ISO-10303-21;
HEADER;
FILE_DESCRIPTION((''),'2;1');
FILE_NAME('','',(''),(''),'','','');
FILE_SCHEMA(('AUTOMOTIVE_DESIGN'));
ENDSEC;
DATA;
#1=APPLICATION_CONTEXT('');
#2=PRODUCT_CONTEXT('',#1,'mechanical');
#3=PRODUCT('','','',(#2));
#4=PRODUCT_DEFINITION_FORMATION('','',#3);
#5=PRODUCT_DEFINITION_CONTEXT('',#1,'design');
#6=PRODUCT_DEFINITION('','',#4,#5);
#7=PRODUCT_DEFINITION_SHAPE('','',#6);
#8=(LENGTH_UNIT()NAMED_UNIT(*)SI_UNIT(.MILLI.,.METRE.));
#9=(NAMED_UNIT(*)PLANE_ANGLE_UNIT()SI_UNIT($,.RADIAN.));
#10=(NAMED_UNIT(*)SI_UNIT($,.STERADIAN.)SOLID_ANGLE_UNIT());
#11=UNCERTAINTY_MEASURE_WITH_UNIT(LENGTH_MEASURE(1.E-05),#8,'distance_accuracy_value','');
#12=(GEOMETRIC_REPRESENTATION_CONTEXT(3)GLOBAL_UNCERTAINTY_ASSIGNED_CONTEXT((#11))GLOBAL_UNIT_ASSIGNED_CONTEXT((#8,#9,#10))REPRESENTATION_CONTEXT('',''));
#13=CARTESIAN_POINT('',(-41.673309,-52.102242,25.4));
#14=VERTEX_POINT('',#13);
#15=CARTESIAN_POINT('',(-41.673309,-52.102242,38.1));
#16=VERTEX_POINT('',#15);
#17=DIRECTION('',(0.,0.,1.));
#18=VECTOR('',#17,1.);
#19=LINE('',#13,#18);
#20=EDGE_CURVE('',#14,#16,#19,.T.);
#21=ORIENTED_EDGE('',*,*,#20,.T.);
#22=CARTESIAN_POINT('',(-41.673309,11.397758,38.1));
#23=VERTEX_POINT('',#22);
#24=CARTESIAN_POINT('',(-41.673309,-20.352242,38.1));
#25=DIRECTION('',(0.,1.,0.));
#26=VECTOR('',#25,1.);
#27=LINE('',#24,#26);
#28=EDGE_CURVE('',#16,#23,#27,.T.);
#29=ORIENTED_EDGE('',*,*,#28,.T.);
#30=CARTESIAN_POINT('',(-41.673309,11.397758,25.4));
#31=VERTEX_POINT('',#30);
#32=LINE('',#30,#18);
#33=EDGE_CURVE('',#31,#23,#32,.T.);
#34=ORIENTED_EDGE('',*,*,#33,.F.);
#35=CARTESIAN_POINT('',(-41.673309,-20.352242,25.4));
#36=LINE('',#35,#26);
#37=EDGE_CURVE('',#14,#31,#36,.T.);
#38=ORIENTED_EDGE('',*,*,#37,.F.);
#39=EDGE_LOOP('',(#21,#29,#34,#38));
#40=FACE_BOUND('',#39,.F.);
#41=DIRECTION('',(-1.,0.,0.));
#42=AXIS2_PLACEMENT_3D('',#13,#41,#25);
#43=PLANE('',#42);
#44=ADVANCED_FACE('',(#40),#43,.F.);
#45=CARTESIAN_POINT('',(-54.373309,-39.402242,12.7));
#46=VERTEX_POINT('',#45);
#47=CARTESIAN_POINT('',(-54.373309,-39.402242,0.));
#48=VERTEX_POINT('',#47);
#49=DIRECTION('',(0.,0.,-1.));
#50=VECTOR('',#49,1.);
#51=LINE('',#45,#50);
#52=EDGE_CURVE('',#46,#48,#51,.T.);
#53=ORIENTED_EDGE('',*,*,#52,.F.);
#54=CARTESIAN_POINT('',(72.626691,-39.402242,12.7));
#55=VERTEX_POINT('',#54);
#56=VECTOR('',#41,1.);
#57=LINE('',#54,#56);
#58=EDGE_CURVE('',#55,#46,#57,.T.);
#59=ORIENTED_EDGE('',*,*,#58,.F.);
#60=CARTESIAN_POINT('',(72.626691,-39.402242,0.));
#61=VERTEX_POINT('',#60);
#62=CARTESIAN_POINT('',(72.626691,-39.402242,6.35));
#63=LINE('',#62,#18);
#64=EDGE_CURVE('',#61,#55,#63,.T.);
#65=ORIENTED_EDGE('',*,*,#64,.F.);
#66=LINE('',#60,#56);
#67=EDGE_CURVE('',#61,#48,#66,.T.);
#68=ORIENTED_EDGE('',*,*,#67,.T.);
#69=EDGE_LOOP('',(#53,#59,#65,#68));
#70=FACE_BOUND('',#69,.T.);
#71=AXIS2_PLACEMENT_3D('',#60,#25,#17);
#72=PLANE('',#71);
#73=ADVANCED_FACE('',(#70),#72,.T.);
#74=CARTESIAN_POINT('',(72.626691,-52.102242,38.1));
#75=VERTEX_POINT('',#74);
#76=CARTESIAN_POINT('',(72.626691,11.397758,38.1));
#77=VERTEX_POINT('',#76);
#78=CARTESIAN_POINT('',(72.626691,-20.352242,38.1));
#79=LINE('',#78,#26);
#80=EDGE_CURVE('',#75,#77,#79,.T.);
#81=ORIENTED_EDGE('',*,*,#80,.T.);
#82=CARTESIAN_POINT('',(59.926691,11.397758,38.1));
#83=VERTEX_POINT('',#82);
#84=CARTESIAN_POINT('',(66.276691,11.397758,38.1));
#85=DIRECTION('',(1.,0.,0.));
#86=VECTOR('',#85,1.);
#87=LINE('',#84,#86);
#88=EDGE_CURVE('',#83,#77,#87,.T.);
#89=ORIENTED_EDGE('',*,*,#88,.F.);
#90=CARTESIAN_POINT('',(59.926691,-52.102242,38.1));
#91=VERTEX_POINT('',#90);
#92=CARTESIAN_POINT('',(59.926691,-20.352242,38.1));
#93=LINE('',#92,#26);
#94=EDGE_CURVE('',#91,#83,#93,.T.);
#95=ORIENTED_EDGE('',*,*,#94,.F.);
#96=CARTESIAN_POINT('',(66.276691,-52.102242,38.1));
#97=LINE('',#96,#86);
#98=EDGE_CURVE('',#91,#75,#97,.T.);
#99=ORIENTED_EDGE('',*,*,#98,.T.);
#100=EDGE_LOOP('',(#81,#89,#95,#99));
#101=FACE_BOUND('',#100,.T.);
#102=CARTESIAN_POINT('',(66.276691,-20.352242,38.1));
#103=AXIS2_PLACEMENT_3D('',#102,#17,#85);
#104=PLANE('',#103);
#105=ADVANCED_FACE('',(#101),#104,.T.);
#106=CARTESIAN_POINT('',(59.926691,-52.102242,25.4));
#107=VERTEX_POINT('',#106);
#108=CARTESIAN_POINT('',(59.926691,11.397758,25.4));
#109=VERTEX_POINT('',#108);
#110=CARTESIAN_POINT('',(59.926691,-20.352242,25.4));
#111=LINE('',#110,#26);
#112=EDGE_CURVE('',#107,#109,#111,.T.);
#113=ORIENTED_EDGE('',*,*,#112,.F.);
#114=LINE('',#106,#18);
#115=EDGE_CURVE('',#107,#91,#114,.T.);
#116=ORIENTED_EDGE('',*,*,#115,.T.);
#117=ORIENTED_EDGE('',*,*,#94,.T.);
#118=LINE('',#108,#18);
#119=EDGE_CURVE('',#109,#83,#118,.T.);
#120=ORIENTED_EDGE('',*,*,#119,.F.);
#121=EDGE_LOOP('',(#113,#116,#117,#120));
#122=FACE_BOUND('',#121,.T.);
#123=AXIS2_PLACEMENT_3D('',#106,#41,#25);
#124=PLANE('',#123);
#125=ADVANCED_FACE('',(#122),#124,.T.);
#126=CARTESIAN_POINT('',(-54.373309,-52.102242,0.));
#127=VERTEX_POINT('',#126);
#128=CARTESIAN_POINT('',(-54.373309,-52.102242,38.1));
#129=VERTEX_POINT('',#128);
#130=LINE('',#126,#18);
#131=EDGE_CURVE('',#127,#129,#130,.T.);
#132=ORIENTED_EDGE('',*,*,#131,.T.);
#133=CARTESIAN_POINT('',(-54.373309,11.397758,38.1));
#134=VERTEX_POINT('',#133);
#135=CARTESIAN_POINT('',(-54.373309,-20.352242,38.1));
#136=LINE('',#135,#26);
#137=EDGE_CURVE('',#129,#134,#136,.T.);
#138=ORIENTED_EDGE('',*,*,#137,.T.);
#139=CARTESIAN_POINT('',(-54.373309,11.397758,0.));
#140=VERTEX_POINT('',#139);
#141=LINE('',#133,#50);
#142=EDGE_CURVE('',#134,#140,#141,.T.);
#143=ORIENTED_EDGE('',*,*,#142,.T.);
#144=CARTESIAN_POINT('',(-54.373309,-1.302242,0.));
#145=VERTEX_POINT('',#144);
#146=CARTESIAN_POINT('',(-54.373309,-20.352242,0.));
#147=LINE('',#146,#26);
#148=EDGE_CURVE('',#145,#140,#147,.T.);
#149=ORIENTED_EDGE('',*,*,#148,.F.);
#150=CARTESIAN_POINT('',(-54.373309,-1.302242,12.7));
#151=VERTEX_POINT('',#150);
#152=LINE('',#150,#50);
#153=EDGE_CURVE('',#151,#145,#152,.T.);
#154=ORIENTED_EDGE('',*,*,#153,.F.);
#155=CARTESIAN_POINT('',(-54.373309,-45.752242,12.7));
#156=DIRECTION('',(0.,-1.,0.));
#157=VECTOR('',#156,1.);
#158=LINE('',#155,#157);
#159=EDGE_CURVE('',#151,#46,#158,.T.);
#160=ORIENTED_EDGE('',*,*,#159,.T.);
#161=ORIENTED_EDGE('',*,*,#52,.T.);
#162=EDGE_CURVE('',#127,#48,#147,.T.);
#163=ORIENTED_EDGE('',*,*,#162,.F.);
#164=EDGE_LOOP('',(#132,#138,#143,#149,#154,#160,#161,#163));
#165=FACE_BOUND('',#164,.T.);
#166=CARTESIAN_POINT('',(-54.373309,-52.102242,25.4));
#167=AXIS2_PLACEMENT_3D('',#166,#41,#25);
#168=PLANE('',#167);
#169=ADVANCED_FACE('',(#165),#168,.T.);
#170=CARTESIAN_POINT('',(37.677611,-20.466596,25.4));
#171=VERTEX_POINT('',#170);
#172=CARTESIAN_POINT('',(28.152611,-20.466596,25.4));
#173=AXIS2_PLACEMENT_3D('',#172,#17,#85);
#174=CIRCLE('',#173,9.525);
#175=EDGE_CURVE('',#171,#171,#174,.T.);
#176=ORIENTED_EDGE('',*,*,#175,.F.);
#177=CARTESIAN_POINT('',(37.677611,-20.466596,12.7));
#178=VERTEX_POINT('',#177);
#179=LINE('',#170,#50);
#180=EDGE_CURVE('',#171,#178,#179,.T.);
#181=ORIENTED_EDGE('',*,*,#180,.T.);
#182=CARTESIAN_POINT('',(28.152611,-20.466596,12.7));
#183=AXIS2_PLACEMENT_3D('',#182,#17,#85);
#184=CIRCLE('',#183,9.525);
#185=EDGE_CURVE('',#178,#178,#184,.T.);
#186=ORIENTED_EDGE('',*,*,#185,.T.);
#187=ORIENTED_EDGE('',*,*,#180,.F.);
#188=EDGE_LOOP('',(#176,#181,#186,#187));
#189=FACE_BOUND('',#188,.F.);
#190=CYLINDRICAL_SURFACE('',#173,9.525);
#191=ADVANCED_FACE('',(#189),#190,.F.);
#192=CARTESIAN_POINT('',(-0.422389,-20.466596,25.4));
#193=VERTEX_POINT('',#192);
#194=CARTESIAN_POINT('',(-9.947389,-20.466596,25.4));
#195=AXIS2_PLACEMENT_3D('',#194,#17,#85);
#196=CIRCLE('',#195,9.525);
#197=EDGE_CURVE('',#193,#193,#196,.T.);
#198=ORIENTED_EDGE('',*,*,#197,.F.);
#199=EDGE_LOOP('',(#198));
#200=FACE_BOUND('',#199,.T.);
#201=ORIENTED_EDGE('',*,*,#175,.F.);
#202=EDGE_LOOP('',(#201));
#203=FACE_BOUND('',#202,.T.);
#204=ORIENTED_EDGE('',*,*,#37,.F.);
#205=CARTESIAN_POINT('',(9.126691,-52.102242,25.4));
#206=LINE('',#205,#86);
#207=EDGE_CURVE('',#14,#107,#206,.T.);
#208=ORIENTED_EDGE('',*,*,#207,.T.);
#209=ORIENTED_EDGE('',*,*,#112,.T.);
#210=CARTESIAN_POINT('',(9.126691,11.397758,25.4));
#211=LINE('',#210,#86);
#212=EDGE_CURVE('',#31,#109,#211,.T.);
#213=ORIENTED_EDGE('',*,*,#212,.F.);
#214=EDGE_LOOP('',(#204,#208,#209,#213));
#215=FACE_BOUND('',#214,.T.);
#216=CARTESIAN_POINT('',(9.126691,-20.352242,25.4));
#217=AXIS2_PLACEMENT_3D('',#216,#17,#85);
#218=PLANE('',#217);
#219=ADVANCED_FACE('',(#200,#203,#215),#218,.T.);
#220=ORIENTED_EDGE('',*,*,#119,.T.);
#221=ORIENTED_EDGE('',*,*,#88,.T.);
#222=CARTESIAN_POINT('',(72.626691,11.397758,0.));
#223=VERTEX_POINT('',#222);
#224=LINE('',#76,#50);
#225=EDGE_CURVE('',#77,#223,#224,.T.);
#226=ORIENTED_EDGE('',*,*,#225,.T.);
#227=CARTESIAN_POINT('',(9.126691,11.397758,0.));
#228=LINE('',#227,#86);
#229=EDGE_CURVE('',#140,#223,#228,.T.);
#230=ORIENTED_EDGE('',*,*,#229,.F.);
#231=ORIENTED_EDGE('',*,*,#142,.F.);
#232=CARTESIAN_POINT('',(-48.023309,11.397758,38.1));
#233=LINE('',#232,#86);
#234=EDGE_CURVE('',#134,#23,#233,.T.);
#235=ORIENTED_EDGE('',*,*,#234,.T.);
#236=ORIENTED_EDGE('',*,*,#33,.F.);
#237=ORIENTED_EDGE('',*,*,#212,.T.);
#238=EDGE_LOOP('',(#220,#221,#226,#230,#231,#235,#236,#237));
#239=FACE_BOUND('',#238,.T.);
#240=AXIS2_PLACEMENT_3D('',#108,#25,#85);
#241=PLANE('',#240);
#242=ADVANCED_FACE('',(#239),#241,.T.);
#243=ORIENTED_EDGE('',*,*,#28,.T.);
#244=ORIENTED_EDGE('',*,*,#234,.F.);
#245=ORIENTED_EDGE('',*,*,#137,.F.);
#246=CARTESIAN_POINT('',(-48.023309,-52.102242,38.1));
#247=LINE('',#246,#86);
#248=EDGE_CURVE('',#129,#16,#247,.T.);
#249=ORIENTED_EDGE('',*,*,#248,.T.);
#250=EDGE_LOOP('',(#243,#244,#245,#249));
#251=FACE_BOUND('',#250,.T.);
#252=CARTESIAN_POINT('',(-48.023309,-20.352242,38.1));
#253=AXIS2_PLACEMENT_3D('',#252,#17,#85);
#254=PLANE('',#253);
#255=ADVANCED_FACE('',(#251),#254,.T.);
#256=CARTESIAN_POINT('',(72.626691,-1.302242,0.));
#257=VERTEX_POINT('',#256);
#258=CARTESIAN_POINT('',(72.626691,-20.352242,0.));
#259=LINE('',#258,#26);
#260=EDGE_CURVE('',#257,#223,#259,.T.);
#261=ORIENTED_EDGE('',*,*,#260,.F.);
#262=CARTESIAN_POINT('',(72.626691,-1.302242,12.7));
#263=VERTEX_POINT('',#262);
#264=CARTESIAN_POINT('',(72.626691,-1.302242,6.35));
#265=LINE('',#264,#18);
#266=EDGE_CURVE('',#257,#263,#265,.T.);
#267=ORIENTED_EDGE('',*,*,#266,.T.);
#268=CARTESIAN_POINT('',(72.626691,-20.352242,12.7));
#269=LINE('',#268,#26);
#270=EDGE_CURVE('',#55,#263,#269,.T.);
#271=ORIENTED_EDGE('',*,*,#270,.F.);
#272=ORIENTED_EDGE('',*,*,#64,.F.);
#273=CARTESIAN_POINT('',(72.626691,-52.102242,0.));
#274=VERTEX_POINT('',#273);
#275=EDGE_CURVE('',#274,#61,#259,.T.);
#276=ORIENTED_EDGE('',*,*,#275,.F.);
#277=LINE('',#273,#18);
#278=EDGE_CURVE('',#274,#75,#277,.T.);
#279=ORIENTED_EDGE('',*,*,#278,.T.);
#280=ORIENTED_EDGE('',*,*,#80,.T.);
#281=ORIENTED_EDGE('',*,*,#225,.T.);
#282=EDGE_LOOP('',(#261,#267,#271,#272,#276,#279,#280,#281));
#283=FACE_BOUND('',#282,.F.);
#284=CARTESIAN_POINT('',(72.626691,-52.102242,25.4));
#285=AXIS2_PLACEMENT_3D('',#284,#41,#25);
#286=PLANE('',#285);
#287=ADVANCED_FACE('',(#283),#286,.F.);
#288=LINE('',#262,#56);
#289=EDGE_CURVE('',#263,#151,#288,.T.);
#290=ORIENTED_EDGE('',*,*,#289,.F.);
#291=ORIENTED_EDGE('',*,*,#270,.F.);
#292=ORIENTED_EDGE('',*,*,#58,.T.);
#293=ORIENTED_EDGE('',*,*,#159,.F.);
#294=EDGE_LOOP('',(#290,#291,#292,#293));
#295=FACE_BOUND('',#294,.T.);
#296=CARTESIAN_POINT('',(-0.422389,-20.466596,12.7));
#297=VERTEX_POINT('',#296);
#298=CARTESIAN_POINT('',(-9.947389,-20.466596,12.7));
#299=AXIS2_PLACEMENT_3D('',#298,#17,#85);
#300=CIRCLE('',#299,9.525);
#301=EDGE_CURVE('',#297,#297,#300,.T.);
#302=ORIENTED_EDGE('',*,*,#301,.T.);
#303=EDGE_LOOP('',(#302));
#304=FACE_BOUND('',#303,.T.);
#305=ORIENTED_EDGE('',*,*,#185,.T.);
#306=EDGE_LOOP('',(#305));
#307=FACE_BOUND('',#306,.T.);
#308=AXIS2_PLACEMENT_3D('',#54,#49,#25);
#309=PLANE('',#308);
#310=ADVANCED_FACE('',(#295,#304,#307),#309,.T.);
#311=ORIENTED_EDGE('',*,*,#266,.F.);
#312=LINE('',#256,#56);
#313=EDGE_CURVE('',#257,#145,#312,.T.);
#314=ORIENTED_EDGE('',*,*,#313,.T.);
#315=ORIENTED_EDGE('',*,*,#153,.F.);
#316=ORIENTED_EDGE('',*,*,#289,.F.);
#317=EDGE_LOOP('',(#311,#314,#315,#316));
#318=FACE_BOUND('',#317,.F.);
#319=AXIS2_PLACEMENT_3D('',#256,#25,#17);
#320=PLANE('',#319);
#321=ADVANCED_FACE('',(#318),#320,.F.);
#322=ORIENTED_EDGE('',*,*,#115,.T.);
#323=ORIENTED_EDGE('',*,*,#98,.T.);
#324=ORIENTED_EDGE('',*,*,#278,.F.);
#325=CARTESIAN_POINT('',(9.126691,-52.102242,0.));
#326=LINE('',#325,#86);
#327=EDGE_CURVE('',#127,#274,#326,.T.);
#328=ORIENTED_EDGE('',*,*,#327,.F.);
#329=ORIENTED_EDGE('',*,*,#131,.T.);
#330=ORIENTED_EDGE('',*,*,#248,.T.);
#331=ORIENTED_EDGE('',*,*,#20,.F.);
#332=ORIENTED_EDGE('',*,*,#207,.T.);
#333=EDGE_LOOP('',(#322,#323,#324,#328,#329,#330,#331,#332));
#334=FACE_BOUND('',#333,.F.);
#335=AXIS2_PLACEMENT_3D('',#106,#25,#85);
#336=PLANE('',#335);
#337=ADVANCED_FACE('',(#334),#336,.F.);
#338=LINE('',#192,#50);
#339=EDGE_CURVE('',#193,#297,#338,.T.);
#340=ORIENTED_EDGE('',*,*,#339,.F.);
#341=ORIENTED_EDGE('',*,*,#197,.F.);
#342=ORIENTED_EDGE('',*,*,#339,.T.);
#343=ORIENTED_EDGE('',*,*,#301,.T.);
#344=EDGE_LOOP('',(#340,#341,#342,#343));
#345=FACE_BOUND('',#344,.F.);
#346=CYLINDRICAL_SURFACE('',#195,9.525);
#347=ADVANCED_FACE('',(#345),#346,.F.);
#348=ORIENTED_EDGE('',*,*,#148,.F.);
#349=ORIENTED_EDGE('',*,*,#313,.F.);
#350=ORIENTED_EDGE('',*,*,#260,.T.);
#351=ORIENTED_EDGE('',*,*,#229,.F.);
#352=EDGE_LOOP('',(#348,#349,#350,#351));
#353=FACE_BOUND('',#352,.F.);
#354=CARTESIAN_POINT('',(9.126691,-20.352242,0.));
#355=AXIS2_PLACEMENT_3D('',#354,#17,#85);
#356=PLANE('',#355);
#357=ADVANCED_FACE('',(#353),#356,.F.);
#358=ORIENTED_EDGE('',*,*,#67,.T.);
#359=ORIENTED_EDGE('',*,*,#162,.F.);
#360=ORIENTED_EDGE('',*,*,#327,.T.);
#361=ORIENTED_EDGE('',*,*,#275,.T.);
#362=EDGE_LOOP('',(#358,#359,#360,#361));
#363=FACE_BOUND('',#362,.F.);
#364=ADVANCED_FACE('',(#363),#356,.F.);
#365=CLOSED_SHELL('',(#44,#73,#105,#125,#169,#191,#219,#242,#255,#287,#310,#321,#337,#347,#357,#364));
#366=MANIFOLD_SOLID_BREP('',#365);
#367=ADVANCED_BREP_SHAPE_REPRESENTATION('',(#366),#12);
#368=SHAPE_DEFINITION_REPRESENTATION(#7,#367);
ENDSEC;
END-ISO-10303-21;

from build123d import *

# Parameters (mm, degrees)
F0_W     = 127
F0_H     = 63.5
F1_DEPTH = 25.4
F2_W     = 12.7
F2_H     = 63.5
F3_DEPTH = 12.7
F4_W     = 12.7
F4_H     = 63.5
F5_DEPTH = 12.7
F6_R     = 9.525
F7_DEPTH = 25.401
F8_W     = 38.1
F8_H     = 12.7
F9_DEPTH = 127.001


with BuildPart() as f1:
    # F0 (on Top) → F1 (new body)
    with BuildSketch(Plane.XY):
        with Locations((9.126691, -20.352242)):
            Rectangle(F0_W, F0_H)
    extrude(amount=F1_DEPTH)

    # F2 (on face) → F3 (join)
    with BuildSketch(Plane.XY.offset(25.4)):
        with Locations((-48.023309, -20.352242)):
            Rectangle(F2_W, F2_H)
    extrude(amount=F3_DEPTH)

    # F4 (on face) → F5 (join)
    with BuildSketch(Plane.XY.offset(25.4)):
        with Locations((66.276691, -20.352242)):
            Rectangle(F4_W, F4_H)
    extrude(amount=F5_DEPTH)

    # F6 (on face) → F7 (cut, through all)
    with BuildSketch(Plane.XY.offset(25.4)):
        with Locations((-9.947389, -20.466596)):
            Circle(F6_R)
        with Locations((28.152611, -20.466596)):
            Circle(F6_R)
    extrude(amount=-F7_DEPTH, mode=Mode.SUBTRACT)

    # F8 (on face) → F9 (cut, through all)
    with BuildSketch(Plane.YZ.offset(72.626691)):
        with Locations((-20.352242, 6.35)):
            Rectangle(F8_W, F8_H)
    extrude(amount=-F9_DEPTH, mode=Mode.SUBTRACT)


solid = f1.part
